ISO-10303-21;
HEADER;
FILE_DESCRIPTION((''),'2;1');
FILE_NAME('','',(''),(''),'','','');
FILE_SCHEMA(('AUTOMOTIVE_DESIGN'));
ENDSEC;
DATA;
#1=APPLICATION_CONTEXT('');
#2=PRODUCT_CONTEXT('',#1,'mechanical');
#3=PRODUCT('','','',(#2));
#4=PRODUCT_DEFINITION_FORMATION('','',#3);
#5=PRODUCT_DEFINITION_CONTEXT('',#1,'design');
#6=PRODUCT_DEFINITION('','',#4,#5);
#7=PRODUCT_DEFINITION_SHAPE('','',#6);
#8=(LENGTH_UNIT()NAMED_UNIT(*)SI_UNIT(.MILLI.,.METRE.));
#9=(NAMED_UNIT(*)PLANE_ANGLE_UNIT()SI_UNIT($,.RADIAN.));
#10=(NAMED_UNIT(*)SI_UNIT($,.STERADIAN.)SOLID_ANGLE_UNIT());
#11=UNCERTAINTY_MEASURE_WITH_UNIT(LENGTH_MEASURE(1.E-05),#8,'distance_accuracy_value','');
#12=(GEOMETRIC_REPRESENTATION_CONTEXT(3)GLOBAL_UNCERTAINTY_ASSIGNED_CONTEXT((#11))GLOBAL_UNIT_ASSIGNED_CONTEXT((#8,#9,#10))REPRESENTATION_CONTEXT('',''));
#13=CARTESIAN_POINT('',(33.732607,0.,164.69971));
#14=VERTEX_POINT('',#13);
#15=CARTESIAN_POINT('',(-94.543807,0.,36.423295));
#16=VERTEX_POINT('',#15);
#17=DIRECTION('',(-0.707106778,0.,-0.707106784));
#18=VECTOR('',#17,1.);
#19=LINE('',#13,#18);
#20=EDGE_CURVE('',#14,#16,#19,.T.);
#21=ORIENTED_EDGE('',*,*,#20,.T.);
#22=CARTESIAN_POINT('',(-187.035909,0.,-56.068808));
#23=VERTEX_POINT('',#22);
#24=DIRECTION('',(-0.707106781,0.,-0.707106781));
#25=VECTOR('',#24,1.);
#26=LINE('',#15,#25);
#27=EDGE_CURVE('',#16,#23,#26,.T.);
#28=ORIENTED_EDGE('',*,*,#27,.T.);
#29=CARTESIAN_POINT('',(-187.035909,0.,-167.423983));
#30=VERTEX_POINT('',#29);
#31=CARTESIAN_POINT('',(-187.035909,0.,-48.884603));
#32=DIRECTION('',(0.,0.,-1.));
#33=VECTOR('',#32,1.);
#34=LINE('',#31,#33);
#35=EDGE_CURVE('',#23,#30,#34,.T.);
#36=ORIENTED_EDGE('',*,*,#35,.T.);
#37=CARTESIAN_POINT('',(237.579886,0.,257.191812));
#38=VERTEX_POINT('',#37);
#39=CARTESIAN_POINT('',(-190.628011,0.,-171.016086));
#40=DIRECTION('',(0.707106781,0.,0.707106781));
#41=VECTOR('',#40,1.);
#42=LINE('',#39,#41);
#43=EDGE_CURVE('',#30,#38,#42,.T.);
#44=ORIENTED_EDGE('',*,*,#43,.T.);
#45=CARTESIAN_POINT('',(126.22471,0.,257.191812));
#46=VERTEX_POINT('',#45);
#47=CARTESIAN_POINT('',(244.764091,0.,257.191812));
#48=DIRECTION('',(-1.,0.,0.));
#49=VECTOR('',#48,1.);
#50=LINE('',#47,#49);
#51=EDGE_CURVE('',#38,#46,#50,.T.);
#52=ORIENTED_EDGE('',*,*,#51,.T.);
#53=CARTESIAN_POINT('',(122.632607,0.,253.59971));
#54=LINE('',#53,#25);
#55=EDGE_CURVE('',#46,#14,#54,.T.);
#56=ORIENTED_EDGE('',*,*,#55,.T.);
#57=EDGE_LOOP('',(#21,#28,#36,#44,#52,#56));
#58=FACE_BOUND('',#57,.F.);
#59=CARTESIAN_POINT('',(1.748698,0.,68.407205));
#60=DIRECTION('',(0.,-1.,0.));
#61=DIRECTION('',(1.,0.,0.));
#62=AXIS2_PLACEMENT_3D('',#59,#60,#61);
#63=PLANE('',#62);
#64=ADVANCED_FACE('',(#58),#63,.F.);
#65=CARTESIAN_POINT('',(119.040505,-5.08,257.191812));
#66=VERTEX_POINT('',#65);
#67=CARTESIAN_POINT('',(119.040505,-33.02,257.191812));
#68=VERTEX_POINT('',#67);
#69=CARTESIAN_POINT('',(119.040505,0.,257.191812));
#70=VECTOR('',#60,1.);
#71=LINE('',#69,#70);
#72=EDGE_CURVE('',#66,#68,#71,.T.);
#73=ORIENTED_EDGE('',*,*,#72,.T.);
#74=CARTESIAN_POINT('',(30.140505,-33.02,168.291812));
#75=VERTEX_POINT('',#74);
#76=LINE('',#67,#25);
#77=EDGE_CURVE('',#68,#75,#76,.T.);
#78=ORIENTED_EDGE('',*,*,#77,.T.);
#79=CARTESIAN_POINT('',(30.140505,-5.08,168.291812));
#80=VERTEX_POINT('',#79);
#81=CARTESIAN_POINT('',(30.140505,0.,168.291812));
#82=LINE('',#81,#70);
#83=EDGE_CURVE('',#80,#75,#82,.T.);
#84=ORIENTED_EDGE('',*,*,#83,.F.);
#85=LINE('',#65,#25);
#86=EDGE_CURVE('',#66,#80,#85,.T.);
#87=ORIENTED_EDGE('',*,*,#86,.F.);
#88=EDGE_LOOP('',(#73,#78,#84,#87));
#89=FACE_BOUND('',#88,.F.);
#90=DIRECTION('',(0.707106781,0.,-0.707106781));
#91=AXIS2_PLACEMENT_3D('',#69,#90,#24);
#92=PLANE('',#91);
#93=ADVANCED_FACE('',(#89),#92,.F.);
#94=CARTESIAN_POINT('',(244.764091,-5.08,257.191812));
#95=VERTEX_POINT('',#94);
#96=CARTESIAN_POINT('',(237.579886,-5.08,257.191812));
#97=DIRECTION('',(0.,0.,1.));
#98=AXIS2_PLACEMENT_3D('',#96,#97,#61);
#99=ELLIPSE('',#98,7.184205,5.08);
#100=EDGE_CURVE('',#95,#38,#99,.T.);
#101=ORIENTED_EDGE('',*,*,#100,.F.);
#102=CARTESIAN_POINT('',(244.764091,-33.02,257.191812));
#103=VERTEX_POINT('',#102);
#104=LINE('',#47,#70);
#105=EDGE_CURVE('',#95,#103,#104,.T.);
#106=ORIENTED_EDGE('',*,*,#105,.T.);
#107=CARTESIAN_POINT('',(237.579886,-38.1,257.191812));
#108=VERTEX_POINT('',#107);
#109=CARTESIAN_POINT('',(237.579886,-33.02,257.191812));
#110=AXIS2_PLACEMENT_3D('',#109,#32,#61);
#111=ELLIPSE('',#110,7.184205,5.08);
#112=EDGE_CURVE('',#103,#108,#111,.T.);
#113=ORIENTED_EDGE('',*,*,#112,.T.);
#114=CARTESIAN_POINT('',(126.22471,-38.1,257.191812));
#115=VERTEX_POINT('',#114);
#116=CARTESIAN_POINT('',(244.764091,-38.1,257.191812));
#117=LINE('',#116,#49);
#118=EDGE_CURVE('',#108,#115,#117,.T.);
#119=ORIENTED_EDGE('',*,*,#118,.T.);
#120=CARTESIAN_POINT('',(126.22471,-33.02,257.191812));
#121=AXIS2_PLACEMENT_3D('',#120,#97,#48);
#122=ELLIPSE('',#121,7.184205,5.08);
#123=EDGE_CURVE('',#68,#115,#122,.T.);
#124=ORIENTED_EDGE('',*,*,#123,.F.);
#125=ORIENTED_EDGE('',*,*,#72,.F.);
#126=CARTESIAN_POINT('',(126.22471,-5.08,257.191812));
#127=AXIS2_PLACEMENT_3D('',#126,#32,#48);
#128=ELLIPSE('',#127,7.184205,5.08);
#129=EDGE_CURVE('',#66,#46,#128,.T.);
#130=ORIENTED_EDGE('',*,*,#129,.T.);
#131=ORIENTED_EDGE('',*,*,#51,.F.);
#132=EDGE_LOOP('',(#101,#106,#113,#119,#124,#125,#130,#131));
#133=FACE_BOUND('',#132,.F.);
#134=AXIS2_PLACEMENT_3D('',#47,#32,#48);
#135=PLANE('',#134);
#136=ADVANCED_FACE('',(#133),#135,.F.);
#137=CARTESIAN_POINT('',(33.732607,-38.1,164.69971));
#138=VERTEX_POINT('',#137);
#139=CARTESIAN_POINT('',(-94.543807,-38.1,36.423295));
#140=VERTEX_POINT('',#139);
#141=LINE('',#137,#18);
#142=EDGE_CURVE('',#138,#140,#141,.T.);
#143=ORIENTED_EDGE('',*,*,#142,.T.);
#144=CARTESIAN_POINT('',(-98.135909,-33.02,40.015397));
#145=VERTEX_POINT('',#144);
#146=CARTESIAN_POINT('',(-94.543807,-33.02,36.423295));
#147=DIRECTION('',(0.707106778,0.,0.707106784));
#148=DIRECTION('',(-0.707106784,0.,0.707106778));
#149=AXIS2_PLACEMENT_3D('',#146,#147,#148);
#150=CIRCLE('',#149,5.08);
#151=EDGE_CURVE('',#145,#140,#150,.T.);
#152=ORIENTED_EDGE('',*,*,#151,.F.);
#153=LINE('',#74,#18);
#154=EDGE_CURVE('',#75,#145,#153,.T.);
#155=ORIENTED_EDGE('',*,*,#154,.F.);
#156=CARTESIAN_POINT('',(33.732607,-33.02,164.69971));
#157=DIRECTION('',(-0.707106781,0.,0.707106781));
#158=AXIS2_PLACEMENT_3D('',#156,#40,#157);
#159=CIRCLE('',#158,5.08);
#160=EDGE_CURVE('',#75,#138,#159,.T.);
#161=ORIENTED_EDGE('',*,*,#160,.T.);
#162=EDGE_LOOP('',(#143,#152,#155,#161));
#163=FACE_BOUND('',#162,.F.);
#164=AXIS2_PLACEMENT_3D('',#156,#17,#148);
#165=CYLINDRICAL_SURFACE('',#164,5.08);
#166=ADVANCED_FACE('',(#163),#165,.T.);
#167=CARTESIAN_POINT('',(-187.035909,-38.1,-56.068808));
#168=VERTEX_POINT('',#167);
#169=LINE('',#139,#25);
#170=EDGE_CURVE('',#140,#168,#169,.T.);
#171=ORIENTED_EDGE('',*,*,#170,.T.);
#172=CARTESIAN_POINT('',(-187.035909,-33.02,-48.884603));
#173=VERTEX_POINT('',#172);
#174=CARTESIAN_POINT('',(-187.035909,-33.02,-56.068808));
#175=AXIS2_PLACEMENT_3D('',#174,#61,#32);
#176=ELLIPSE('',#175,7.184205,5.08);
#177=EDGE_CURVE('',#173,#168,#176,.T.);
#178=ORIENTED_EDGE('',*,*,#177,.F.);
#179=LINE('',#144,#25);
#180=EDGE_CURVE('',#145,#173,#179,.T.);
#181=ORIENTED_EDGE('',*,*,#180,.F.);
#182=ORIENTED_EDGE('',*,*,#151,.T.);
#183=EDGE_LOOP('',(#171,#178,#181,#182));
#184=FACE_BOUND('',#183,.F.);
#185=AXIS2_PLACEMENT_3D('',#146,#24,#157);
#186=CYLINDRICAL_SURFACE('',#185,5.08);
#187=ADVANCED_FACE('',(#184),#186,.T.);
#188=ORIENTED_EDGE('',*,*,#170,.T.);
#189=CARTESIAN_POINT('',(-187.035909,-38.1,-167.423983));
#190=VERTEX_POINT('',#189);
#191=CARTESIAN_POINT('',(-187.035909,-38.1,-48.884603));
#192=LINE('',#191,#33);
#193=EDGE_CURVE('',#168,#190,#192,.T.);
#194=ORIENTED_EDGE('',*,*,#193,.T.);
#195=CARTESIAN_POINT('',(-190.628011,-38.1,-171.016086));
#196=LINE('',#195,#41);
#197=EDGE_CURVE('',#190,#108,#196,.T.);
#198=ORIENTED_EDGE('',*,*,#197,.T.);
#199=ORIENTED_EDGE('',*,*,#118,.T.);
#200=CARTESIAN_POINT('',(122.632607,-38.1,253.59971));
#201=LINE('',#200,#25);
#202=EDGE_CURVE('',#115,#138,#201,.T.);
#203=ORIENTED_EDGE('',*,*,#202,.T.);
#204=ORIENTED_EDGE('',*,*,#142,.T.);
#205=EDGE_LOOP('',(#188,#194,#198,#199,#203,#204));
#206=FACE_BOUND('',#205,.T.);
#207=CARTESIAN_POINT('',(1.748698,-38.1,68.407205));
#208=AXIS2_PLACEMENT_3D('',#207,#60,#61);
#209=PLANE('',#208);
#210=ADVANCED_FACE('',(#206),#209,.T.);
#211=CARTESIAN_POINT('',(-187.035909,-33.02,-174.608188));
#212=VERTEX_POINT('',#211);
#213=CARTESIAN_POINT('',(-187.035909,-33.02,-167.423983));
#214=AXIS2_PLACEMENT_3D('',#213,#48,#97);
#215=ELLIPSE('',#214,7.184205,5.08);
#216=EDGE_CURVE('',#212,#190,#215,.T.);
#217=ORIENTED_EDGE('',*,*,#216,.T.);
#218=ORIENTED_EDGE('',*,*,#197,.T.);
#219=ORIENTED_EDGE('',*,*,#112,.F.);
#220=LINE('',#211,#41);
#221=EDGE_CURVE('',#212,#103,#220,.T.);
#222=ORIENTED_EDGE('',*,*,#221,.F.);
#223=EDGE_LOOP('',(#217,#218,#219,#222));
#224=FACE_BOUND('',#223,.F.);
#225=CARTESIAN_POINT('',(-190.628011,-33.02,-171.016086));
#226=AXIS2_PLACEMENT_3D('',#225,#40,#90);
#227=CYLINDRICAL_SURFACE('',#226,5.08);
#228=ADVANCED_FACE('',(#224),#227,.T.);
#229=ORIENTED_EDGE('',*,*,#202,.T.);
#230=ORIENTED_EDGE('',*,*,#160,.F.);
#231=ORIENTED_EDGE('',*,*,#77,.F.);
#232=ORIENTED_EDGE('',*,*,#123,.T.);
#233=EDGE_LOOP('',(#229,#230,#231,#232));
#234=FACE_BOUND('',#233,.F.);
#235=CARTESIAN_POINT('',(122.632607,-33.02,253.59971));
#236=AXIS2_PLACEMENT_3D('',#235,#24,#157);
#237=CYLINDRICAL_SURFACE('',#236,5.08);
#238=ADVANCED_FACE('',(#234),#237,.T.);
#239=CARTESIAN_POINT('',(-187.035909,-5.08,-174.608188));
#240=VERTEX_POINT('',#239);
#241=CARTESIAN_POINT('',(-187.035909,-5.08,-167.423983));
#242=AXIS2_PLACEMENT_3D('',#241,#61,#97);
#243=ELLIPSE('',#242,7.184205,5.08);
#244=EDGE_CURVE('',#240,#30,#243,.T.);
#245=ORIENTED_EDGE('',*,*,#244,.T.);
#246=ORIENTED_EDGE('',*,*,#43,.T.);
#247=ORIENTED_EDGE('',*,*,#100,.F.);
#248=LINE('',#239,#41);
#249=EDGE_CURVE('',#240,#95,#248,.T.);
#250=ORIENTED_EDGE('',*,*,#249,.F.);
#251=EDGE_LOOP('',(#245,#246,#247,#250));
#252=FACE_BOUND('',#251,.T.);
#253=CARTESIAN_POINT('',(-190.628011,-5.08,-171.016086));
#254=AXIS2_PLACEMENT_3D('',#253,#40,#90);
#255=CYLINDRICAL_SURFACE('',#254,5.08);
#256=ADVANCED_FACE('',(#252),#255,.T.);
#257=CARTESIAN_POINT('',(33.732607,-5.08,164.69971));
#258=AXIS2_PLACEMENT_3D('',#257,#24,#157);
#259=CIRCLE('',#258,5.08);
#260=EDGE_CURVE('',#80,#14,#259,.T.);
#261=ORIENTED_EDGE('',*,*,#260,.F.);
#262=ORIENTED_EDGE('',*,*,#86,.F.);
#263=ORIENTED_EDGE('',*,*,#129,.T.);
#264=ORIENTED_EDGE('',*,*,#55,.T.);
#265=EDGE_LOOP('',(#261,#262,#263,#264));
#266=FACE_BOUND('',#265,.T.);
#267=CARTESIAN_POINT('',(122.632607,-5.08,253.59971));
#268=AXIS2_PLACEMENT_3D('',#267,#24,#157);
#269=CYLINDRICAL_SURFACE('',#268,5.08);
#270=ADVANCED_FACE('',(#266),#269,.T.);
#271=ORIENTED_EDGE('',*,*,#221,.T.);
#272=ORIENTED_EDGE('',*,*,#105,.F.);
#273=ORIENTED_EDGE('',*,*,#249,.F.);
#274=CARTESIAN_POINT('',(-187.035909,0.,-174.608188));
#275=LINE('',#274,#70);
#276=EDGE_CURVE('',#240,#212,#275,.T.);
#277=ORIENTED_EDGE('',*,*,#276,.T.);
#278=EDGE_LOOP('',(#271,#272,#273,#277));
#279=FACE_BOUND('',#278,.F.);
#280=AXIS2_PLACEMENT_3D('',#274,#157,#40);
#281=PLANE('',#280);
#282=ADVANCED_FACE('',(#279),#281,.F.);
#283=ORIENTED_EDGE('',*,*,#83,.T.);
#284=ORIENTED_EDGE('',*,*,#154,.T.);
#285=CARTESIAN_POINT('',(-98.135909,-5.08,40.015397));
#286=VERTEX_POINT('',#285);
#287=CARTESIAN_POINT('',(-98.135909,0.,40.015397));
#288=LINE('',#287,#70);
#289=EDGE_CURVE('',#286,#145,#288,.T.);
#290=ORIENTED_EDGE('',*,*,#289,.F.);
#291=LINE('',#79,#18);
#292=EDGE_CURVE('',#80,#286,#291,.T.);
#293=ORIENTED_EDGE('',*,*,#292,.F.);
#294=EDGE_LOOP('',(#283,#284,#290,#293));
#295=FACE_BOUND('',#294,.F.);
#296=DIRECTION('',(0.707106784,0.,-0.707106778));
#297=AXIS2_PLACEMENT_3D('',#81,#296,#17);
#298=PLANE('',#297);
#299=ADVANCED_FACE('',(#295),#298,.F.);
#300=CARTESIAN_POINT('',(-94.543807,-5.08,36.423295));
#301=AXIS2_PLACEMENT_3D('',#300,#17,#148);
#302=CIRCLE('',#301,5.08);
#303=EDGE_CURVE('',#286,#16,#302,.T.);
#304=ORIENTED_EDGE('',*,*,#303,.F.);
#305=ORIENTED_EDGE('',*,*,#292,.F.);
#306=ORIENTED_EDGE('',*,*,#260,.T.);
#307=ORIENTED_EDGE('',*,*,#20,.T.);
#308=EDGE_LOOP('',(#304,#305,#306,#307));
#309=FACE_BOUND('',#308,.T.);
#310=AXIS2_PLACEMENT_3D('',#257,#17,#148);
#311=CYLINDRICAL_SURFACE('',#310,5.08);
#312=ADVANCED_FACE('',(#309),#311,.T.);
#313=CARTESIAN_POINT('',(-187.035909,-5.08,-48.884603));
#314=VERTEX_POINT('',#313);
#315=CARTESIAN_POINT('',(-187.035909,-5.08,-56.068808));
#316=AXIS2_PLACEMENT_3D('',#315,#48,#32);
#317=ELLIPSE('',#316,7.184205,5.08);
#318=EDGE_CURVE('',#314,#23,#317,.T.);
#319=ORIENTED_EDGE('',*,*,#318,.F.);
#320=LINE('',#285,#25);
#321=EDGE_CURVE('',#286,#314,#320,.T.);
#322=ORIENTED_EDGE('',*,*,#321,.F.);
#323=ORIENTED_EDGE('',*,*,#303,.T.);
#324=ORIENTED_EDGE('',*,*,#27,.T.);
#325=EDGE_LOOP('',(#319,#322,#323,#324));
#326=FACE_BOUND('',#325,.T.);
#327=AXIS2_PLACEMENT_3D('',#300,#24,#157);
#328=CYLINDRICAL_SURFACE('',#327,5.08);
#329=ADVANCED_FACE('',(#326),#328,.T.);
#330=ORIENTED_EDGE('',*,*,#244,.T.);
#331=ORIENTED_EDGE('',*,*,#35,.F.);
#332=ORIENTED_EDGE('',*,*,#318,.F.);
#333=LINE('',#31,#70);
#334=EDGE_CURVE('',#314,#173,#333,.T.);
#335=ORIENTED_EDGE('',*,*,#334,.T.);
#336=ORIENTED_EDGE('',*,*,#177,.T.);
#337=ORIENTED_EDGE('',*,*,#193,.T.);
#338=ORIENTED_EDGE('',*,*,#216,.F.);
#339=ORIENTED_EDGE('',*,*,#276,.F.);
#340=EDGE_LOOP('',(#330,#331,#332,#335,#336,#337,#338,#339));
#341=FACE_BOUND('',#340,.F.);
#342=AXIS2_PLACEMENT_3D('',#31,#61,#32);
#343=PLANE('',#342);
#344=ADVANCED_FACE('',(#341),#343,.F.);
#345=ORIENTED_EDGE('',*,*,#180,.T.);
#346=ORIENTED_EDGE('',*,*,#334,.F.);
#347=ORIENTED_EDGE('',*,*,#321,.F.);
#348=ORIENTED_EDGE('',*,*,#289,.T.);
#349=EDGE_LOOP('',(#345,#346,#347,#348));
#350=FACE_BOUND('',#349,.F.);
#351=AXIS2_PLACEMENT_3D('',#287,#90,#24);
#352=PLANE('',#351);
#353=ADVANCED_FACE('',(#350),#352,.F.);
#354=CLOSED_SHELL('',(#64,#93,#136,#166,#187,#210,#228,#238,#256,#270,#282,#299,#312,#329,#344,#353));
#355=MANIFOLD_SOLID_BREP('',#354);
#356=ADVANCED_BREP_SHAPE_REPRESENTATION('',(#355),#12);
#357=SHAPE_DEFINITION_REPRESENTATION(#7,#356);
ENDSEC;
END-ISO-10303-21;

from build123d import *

# Parameters (mm, degrees)
F1_DEPTH = 38.1
F2_R     = 5.08


with BuildPart() as f1:
    # F0 (on Front) → F1 (new body)
    with BuildSketch(Plane.XZ):
        Polygon((-187.035909, -48.884603), (-187.035909, -174.608188), (244.764091, 257.191812), (119.040505, 257.191812), (30.140505, 168.291812), (-98.135909, 40.015397), align=None)
    extrude(amount=F1_DEPTH)

    # F2
    f2_edges = [f1.edges().sort_by_distance(p)[0] for p in [
        (-33.997702, 0, 104.153604),
        (-33.997702, -38.1, 104.153604),
        (28.864091, -38.1, 41.291812),
        (28.864091, 0, 41.291812),
    ]]
    fillet(f2_edges, radius=F2_R)


solid = f1.part
